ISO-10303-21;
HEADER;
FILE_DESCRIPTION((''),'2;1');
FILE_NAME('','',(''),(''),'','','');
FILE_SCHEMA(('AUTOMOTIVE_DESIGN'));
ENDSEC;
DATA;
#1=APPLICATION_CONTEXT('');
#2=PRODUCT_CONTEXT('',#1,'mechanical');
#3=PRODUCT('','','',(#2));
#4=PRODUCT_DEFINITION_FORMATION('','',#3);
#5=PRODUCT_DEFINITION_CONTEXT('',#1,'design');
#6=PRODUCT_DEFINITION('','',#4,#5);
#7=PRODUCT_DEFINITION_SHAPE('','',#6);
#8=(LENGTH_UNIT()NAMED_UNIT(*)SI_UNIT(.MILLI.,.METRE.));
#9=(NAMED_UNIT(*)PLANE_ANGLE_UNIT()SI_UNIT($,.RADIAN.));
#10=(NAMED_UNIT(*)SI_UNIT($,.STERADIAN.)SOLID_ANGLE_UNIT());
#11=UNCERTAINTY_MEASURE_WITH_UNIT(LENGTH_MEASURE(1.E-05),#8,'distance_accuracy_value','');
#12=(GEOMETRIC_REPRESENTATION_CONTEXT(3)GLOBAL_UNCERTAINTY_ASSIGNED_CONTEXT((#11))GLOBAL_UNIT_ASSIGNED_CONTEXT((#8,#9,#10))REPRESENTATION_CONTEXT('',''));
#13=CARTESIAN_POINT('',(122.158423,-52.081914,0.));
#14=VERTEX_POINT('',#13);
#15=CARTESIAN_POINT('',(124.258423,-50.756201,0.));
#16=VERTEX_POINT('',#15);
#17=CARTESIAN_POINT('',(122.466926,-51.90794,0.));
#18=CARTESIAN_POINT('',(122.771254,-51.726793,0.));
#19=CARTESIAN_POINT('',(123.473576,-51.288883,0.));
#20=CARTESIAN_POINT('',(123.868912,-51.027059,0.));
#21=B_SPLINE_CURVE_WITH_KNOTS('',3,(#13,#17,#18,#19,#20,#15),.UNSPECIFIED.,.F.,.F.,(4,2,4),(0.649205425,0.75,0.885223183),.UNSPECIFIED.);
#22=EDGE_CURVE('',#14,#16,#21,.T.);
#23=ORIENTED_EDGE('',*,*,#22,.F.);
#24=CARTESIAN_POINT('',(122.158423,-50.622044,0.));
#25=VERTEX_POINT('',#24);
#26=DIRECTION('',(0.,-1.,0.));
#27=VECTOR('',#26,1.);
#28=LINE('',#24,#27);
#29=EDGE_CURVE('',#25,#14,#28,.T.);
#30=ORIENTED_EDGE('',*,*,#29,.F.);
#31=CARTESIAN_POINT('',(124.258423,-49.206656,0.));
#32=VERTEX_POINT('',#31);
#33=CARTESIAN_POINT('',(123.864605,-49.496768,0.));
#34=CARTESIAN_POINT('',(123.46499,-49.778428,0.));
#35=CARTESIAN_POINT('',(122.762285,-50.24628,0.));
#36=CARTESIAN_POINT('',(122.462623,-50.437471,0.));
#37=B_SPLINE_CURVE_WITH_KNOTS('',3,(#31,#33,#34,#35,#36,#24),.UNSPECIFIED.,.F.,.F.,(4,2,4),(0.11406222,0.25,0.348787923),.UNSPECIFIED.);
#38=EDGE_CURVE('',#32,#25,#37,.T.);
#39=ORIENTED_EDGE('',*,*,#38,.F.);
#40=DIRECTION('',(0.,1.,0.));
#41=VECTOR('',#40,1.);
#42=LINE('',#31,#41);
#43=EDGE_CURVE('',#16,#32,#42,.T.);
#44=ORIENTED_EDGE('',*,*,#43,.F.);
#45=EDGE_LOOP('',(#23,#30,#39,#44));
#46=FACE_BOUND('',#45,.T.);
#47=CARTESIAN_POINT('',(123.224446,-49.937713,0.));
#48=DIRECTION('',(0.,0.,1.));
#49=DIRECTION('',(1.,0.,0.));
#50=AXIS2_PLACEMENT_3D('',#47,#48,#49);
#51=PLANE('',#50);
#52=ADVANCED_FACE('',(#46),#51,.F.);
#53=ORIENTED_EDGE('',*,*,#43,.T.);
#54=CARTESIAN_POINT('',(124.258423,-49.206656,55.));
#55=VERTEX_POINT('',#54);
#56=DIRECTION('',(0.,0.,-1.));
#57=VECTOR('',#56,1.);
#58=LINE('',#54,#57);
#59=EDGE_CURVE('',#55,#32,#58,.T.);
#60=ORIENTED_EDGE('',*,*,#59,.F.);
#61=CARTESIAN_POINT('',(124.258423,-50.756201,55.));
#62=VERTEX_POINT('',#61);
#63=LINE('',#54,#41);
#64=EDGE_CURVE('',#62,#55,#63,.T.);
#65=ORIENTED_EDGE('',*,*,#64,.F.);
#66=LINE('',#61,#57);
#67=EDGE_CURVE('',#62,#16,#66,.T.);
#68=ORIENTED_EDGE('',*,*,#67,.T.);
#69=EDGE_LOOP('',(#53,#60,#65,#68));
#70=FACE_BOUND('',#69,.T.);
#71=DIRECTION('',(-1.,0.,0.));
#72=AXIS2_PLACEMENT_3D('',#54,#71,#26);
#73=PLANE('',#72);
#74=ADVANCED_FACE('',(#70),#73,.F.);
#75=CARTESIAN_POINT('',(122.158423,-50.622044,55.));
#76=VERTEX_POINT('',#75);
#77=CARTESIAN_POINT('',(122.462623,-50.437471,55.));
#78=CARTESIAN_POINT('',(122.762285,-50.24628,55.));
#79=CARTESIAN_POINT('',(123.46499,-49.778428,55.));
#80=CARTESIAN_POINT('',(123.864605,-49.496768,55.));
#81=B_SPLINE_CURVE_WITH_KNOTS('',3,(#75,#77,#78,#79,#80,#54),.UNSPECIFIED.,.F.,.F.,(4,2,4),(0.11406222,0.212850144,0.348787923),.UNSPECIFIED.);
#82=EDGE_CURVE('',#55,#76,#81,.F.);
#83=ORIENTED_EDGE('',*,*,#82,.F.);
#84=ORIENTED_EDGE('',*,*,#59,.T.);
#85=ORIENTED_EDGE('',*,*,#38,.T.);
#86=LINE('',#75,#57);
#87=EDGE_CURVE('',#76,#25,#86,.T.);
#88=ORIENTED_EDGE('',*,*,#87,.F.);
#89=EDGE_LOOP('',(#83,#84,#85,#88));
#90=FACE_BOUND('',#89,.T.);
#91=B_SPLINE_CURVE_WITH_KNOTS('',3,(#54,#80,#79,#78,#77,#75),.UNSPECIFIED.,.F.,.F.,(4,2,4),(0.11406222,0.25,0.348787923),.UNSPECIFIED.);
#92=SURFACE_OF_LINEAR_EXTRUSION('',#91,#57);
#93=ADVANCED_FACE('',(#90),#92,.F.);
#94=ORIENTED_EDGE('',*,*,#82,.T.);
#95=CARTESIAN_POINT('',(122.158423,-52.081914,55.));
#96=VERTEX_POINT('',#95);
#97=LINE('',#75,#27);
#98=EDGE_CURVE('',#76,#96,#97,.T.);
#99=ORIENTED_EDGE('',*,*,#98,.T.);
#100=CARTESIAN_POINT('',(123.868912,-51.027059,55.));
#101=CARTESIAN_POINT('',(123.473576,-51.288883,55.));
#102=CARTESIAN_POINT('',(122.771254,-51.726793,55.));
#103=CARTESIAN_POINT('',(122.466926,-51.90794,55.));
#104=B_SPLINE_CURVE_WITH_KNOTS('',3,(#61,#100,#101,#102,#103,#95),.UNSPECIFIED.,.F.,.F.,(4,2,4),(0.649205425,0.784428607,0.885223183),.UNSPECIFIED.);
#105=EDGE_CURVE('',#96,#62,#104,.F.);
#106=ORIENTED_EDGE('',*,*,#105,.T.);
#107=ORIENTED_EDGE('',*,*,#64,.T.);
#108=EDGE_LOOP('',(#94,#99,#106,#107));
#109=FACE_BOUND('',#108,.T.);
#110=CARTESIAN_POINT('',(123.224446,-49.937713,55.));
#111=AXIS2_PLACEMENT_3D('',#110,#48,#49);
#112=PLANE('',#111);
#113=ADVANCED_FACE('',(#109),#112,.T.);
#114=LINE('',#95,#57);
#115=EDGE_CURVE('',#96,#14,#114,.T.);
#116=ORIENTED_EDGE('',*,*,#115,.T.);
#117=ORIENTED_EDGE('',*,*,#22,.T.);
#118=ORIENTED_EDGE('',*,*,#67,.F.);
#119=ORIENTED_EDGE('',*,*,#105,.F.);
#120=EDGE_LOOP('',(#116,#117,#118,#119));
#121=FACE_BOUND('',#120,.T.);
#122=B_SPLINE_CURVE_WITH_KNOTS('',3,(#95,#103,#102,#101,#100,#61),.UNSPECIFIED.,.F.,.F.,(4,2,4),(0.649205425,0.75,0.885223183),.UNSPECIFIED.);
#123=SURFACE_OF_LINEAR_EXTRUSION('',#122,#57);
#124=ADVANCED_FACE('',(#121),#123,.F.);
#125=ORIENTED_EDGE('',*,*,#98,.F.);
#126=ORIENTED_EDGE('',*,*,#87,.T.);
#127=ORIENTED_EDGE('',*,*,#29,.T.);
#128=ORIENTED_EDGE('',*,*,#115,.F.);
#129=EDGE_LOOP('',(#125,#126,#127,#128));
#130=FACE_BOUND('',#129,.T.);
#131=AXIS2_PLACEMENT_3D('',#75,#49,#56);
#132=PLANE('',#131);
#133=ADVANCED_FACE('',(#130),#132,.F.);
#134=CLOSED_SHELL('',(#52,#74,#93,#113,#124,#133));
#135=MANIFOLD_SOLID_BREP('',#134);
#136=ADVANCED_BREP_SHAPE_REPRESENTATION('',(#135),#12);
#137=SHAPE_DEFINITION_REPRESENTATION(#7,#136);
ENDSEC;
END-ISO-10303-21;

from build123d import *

# Parameters (mm, degrees)
BOSS_EXTRUDE1_DEPTH = 55


with BuildPart() as part:
    # Sketch1 → Boss-Extrude1 (new body)
    with BuildSketch(Plane.XY):
        with BuildLine():
            Line((124.25842281, -49.206656057), (124.25842281, -50.756201419))
            add(Edge.make_bspline(
                [(122.15842281, -52.081913765), (122.466925521, -51.907939931), (122.771253519, -51.726792802), (123.473575804, -51.288883163), (123.868912345, -51.027058817), (124.25842281, -50.756201419)],
                knots=[0.649205425, 0.649205425, 0.649205425, 0.649205425, 0.75, 0.75, 0.885223183, 0.885223183, 0.885223183, 0.885223183], degree=3))
            Line((122.15842281, -52.081913765), (122.15842281, -50.622044002))
            add(Edge.make_bspline(
                [(124.25842281, -49.206656057), (123.864604952, -49.496768366), (123.464989768, -49.778427885), (122.762284683, -50.246279719), (122.462623418, -50.437471155), (122.15842281, -50.622044002)],
                knots=[0.11406222, 0.11406222, 0.11406222, 0.11406222, 0.25, 0.25, 0.348787923, 0.348787923, 0.348787923, 0.348787923], degree=3))
        make_face()
    extrude(amount=BOSS_EXTRUDE1_DEPTH)


solid = part.part
